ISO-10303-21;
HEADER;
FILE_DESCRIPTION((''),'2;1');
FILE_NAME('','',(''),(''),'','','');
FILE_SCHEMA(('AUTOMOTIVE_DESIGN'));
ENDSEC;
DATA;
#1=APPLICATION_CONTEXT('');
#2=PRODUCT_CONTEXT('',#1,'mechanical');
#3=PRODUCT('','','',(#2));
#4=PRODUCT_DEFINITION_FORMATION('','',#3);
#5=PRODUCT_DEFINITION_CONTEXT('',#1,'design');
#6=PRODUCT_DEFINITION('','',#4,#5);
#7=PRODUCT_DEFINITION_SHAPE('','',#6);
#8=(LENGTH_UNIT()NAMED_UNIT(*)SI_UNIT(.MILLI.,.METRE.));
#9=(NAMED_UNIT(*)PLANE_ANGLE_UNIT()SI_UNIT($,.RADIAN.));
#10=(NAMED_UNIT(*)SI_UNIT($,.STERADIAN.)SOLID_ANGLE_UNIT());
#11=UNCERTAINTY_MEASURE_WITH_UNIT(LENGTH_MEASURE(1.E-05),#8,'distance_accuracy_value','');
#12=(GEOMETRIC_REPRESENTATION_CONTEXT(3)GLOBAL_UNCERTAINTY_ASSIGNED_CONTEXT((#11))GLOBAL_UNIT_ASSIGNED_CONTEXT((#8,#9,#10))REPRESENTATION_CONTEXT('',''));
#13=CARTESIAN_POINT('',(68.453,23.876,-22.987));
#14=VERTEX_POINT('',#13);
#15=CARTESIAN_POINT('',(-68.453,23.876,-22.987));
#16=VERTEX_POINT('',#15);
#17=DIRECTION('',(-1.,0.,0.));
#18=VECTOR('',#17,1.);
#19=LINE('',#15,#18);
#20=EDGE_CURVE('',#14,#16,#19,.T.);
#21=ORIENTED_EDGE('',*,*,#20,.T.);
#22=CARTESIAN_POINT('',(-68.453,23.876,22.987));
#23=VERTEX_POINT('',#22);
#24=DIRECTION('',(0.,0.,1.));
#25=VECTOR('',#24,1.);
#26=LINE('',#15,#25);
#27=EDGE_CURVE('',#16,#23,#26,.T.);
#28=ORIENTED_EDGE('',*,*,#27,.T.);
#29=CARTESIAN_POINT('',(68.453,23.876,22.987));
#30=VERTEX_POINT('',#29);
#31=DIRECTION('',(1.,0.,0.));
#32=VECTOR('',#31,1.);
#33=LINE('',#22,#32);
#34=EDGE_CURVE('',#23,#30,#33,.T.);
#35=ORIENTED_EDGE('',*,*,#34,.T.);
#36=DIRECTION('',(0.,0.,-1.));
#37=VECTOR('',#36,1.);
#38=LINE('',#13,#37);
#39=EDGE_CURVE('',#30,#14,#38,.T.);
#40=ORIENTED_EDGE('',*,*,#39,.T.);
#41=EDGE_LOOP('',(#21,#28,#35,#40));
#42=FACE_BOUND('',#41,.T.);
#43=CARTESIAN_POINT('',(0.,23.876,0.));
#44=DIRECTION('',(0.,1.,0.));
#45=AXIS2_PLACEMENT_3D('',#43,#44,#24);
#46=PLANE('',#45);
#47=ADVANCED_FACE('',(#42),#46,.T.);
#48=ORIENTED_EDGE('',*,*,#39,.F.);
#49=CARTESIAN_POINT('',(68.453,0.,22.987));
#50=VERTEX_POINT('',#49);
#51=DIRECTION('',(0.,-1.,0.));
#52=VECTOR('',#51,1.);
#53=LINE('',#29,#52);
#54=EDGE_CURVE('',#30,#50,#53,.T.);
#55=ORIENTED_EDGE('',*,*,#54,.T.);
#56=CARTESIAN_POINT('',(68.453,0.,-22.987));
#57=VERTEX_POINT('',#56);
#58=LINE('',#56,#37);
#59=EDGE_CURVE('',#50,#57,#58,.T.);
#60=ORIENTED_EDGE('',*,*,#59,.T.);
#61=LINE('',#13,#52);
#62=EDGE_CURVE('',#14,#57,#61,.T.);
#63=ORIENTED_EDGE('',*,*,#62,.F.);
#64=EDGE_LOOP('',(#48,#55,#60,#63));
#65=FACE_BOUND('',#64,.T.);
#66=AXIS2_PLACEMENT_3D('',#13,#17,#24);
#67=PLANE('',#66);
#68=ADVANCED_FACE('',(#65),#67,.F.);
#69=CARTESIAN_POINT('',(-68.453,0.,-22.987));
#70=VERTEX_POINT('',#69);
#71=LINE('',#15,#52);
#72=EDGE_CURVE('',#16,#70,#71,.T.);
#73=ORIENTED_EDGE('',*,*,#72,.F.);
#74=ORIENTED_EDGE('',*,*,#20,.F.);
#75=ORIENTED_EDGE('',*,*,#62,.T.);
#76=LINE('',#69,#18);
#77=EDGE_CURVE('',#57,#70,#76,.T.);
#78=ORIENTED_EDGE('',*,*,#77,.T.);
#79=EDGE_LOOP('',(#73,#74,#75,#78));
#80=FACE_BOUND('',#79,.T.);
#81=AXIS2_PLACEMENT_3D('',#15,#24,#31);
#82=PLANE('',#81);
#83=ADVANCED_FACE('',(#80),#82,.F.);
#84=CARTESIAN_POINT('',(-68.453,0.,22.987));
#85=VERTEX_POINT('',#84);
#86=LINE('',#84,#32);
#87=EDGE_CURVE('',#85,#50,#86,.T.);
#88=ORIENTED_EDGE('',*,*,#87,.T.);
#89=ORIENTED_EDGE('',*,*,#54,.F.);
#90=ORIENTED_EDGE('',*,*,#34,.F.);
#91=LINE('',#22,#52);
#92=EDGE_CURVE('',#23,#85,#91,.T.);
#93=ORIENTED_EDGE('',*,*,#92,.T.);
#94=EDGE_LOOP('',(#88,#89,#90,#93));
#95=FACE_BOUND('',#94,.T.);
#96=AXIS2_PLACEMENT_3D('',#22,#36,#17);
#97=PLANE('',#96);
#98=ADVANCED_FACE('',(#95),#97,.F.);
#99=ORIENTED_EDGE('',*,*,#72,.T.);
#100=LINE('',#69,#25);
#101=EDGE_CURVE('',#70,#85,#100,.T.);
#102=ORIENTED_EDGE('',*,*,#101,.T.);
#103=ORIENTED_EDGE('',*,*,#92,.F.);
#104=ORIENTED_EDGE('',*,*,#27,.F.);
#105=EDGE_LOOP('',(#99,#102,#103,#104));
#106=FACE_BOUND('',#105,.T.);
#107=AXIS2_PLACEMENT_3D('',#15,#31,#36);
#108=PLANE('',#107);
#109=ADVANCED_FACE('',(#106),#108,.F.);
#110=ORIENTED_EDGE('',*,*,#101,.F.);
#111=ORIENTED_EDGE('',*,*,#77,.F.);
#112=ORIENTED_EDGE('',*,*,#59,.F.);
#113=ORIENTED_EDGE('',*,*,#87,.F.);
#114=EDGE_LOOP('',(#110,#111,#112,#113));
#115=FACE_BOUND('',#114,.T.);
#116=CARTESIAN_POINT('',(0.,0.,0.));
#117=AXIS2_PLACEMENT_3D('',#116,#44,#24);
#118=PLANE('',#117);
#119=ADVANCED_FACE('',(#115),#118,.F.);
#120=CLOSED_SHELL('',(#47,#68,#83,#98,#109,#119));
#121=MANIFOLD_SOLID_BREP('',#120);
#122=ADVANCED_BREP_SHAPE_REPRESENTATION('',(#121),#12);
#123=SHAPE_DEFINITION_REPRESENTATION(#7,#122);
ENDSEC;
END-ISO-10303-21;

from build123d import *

# Parameters (mm, degrees)
SKETCH2_W           = 136.906
SKETCH2_H           = 45.974
BOSS_EXTRUDE1_DEPTH = 23.876


with BuildPart() as part:
    # Sketch2 → Boss-Extrude1 (new body)
    with BuildSketch(Plane(origin=(0, 0, 0), x_dir=(1, 0, 0), z_dir=(0, 1, 0))):
        Rectangle(SKETCH2_W, SKETCH2_H)
    extrude(amount=BOSS_EXTRUDE1_DEPTH)


solid = part.part
